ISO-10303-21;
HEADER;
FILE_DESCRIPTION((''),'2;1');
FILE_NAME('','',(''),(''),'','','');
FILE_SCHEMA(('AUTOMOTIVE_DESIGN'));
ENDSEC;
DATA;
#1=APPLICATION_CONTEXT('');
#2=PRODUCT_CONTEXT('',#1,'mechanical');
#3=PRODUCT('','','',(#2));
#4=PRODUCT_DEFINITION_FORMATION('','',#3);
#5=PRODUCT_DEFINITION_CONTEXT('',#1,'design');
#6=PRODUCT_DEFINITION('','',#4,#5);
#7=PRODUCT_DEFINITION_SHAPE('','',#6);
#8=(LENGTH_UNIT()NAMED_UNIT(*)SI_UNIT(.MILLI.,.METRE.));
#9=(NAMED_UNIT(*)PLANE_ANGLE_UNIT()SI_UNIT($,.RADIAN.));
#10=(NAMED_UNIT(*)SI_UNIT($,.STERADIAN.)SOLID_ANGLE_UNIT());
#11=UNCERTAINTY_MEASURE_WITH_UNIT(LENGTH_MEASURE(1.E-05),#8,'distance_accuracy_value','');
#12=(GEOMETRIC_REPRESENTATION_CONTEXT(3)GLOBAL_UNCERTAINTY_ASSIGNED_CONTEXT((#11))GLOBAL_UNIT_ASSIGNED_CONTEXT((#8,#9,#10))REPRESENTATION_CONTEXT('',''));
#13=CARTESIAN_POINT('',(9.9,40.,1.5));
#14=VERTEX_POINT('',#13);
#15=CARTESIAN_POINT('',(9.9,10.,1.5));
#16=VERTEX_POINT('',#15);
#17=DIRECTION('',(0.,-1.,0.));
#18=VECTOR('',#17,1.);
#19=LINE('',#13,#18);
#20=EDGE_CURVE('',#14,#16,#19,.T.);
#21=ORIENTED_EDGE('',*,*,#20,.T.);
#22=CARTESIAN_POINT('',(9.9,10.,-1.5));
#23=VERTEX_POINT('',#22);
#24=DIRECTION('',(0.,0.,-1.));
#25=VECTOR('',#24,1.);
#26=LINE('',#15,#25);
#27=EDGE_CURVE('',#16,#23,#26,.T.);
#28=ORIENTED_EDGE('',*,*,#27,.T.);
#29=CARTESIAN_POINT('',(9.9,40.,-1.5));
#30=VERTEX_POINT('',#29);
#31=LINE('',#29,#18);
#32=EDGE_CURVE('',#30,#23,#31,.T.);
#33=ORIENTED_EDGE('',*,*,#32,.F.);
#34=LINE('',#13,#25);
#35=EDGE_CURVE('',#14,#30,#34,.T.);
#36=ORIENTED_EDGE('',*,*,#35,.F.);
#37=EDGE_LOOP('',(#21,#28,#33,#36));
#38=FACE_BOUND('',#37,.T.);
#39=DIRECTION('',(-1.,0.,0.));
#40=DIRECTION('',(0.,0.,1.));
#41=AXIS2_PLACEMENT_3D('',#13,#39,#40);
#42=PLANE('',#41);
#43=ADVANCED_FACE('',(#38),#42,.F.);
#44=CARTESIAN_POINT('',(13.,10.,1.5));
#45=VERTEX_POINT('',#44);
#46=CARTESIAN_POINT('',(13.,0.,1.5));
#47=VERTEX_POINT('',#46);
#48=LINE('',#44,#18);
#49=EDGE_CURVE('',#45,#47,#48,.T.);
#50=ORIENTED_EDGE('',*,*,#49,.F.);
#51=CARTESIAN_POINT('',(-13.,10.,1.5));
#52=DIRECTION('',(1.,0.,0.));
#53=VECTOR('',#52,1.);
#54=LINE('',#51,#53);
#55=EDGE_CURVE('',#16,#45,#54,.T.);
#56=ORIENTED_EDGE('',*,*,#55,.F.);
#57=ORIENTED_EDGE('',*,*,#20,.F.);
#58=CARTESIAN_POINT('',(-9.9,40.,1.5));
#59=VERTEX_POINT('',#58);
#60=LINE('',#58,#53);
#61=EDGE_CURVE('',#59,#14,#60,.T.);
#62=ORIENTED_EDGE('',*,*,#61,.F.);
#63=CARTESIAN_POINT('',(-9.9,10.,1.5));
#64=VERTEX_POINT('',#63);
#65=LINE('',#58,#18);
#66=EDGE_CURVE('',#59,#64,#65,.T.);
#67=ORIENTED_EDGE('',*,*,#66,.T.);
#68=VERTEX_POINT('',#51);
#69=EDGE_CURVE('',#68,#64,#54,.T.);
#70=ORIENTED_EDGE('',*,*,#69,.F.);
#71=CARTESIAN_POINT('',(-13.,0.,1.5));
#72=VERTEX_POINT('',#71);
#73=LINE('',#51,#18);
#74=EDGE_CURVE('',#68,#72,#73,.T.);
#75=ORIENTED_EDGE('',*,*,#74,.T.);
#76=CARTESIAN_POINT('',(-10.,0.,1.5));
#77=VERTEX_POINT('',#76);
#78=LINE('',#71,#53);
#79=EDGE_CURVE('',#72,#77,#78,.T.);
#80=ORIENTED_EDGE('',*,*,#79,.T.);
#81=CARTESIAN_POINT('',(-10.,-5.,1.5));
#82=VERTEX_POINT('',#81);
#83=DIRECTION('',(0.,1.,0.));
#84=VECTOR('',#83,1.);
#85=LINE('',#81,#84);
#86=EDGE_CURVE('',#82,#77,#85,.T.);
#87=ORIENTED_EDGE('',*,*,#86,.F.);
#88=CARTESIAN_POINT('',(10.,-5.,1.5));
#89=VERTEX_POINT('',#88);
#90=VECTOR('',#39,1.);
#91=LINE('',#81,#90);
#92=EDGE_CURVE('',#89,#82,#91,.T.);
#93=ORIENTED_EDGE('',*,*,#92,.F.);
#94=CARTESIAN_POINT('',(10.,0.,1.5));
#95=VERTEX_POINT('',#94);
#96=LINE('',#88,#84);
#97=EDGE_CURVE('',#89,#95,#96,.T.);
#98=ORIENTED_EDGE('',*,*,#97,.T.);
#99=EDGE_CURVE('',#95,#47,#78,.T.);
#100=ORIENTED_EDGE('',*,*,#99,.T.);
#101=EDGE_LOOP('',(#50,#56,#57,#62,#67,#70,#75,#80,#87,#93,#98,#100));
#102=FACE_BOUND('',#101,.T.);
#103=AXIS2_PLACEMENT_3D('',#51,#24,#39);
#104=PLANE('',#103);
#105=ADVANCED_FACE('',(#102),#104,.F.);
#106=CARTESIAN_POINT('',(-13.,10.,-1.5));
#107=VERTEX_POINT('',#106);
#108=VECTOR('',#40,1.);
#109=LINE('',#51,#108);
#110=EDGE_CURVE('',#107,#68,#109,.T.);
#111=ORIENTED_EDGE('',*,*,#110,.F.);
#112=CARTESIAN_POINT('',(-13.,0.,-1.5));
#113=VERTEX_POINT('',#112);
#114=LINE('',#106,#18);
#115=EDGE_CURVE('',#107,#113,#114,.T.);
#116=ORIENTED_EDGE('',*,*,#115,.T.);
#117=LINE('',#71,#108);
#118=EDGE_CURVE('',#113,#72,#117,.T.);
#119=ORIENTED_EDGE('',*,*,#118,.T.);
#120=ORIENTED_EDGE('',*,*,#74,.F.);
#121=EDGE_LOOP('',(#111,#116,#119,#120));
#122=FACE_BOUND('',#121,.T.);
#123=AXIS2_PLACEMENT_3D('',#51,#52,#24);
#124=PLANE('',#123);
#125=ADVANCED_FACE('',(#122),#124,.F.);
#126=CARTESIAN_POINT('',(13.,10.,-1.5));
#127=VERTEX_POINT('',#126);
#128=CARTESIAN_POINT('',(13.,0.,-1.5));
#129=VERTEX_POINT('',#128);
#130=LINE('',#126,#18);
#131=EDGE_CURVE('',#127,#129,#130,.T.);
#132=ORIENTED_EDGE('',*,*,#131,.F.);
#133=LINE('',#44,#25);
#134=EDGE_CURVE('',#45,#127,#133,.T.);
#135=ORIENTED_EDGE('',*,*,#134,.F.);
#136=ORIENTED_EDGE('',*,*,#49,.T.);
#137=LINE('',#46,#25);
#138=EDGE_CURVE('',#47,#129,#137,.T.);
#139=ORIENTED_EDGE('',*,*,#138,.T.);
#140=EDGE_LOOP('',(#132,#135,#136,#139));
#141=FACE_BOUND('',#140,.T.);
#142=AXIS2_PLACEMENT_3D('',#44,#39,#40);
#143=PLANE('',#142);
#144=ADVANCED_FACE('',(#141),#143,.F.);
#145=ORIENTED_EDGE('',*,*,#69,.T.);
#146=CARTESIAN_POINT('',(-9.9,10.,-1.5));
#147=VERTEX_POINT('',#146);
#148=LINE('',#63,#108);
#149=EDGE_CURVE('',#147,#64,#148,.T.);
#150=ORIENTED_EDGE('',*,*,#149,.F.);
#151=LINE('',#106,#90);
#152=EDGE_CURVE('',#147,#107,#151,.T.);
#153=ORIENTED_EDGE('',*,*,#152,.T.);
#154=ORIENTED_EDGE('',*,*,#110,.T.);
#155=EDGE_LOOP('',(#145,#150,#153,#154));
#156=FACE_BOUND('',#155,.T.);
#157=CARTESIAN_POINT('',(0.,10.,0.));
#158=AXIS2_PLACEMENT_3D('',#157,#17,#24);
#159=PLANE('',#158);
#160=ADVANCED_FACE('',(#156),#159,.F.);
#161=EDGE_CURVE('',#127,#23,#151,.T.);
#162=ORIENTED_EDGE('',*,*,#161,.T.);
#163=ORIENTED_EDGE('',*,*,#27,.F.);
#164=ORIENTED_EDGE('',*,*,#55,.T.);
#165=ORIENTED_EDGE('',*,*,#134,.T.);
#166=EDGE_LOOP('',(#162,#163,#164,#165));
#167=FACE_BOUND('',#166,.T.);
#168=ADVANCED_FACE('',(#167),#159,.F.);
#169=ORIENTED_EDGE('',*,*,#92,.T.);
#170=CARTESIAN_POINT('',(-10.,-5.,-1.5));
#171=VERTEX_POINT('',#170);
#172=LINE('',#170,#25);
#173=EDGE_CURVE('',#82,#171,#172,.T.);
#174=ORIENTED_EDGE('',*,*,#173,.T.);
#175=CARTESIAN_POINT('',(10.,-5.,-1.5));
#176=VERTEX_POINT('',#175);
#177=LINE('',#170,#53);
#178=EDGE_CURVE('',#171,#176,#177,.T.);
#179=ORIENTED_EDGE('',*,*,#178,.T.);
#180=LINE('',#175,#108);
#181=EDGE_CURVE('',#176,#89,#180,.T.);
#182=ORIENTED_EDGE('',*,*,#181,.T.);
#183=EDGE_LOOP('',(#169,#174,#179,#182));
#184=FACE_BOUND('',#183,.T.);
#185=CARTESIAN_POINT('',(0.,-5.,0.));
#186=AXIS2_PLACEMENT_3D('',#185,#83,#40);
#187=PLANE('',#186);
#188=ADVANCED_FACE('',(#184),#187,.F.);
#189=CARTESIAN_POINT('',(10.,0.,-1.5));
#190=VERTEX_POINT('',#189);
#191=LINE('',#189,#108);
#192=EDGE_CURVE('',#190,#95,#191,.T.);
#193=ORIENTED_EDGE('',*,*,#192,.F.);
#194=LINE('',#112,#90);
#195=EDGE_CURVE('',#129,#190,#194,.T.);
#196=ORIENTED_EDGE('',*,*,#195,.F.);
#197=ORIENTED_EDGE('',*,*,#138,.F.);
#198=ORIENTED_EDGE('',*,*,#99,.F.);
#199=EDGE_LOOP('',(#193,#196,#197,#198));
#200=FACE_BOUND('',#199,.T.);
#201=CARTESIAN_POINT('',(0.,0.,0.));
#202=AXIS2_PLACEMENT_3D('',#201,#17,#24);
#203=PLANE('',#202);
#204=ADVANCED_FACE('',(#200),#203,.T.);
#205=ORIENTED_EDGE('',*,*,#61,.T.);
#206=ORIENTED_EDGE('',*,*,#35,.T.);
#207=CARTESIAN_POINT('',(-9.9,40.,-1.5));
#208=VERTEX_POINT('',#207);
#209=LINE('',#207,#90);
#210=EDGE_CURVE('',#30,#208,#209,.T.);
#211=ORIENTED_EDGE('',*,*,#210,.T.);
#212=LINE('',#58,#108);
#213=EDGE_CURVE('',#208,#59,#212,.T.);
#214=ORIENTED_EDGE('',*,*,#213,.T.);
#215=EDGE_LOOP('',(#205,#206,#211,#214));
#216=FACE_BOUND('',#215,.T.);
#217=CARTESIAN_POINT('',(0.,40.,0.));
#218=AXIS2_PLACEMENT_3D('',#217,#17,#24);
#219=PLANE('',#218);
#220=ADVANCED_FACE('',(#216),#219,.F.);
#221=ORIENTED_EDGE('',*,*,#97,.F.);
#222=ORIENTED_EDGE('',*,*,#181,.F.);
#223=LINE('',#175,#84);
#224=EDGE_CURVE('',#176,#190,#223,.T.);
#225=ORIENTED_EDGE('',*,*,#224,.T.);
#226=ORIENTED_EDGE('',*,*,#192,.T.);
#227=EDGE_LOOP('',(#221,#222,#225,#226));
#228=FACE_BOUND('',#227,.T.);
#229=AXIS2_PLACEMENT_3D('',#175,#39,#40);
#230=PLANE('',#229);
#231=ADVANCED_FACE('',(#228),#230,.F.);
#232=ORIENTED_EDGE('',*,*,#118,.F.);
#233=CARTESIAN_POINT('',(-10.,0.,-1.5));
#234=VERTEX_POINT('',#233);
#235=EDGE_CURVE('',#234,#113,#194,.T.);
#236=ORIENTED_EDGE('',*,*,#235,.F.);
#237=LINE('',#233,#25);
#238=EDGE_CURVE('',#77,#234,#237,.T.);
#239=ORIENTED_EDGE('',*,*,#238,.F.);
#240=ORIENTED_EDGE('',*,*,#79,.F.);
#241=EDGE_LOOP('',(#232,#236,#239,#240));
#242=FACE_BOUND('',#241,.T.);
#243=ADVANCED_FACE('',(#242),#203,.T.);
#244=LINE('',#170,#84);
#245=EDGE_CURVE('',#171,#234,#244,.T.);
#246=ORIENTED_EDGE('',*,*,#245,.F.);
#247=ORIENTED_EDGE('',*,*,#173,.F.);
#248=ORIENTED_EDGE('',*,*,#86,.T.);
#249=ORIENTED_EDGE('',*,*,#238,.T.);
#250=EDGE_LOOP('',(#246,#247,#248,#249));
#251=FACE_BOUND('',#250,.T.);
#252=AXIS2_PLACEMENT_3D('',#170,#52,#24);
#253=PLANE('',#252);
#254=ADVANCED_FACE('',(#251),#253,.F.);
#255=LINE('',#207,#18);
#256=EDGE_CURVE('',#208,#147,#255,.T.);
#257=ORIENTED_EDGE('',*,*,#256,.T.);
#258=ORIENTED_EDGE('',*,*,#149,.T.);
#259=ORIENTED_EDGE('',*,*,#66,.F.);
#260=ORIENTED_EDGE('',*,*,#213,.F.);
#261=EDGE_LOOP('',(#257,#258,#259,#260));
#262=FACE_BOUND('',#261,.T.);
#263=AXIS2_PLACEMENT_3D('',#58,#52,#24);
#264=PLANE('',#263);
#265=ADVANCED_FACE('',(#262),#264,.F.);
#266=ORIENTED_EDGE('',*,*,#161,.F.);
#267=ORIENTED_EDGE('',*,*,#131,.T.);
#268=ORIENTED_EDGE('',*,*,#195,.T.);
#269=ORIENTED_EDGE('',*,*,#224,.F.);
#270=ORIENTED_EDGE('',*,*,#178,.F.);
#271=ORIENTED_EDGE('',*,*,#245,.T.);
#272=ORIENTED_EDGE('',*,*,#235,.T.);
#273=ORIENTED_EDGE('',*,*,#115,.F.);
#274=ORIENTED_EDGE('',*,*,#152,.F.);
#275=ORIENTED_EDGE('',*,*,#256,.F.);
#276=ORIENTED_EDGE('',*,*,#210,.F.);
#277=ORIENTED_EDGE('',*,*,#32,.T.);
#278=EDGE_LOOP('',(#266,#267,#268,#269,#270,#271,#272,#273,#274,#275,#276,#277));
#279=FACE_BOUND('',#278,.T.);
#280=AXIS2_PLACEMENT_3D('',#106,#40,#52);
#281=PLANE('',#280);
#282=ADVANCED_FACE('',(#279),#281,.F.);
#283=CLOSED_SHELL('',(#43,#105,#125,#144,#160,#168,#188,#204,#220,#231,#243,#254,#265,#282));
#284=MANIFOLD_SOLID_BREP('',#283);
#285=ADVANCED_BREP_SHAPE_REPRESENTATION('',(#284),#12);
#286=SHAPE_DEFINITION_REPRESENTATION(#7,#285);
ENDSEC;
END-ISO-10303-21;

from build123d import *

# Parameters (mm, degrees)
SKETCH2_W           = 26
SKETCH2_H           = 3
BOSS_EXTRUDE1_DEPTH = 10
SKETCH4_W           = 19.8
SKETCH4_H           = 3
BOSS_EXTRUDE2_DEPTH = 30
SKETCH5_W           = 20
SKETCH5_H           = 3
BOSS_EXTRUDE3_DEPTH = 5


with BuildPart() as part:
    # Sketch2 → Boss-Extrude1 (new body)
    with BuildSketch(Plane(origin=(0, 0, 0), x_dir=(1, 0, 0), z_dir=(0, 1, 0))):
        Rectangle(SKETCH2_W, SKETCH2_H)
    extrude(amount=BOSS_EXTRUDE1_DEPTH)

    # Sketch4 → Boss-Extrude2 (add)
    with BuildSketch(Plane(origin=(0, 10, 0), x_dir=(1, 0, 0), z_dir=(0, 1, 0))):
        Rectangle(SKETCH4_W, SKETCH4_H)
    extrude(amount=BOSS_EXTRUDE2_DEPTH)

    # Sketch5 → Boss-Extrude3 (add)
    with BuildSketch(Plane.XZ):
        Rectangle(SKETCH5_W, SKETCH5_H)
    extrude(amount=BOSS_EXTRUDE3_DEPTH)


solid = part.part
